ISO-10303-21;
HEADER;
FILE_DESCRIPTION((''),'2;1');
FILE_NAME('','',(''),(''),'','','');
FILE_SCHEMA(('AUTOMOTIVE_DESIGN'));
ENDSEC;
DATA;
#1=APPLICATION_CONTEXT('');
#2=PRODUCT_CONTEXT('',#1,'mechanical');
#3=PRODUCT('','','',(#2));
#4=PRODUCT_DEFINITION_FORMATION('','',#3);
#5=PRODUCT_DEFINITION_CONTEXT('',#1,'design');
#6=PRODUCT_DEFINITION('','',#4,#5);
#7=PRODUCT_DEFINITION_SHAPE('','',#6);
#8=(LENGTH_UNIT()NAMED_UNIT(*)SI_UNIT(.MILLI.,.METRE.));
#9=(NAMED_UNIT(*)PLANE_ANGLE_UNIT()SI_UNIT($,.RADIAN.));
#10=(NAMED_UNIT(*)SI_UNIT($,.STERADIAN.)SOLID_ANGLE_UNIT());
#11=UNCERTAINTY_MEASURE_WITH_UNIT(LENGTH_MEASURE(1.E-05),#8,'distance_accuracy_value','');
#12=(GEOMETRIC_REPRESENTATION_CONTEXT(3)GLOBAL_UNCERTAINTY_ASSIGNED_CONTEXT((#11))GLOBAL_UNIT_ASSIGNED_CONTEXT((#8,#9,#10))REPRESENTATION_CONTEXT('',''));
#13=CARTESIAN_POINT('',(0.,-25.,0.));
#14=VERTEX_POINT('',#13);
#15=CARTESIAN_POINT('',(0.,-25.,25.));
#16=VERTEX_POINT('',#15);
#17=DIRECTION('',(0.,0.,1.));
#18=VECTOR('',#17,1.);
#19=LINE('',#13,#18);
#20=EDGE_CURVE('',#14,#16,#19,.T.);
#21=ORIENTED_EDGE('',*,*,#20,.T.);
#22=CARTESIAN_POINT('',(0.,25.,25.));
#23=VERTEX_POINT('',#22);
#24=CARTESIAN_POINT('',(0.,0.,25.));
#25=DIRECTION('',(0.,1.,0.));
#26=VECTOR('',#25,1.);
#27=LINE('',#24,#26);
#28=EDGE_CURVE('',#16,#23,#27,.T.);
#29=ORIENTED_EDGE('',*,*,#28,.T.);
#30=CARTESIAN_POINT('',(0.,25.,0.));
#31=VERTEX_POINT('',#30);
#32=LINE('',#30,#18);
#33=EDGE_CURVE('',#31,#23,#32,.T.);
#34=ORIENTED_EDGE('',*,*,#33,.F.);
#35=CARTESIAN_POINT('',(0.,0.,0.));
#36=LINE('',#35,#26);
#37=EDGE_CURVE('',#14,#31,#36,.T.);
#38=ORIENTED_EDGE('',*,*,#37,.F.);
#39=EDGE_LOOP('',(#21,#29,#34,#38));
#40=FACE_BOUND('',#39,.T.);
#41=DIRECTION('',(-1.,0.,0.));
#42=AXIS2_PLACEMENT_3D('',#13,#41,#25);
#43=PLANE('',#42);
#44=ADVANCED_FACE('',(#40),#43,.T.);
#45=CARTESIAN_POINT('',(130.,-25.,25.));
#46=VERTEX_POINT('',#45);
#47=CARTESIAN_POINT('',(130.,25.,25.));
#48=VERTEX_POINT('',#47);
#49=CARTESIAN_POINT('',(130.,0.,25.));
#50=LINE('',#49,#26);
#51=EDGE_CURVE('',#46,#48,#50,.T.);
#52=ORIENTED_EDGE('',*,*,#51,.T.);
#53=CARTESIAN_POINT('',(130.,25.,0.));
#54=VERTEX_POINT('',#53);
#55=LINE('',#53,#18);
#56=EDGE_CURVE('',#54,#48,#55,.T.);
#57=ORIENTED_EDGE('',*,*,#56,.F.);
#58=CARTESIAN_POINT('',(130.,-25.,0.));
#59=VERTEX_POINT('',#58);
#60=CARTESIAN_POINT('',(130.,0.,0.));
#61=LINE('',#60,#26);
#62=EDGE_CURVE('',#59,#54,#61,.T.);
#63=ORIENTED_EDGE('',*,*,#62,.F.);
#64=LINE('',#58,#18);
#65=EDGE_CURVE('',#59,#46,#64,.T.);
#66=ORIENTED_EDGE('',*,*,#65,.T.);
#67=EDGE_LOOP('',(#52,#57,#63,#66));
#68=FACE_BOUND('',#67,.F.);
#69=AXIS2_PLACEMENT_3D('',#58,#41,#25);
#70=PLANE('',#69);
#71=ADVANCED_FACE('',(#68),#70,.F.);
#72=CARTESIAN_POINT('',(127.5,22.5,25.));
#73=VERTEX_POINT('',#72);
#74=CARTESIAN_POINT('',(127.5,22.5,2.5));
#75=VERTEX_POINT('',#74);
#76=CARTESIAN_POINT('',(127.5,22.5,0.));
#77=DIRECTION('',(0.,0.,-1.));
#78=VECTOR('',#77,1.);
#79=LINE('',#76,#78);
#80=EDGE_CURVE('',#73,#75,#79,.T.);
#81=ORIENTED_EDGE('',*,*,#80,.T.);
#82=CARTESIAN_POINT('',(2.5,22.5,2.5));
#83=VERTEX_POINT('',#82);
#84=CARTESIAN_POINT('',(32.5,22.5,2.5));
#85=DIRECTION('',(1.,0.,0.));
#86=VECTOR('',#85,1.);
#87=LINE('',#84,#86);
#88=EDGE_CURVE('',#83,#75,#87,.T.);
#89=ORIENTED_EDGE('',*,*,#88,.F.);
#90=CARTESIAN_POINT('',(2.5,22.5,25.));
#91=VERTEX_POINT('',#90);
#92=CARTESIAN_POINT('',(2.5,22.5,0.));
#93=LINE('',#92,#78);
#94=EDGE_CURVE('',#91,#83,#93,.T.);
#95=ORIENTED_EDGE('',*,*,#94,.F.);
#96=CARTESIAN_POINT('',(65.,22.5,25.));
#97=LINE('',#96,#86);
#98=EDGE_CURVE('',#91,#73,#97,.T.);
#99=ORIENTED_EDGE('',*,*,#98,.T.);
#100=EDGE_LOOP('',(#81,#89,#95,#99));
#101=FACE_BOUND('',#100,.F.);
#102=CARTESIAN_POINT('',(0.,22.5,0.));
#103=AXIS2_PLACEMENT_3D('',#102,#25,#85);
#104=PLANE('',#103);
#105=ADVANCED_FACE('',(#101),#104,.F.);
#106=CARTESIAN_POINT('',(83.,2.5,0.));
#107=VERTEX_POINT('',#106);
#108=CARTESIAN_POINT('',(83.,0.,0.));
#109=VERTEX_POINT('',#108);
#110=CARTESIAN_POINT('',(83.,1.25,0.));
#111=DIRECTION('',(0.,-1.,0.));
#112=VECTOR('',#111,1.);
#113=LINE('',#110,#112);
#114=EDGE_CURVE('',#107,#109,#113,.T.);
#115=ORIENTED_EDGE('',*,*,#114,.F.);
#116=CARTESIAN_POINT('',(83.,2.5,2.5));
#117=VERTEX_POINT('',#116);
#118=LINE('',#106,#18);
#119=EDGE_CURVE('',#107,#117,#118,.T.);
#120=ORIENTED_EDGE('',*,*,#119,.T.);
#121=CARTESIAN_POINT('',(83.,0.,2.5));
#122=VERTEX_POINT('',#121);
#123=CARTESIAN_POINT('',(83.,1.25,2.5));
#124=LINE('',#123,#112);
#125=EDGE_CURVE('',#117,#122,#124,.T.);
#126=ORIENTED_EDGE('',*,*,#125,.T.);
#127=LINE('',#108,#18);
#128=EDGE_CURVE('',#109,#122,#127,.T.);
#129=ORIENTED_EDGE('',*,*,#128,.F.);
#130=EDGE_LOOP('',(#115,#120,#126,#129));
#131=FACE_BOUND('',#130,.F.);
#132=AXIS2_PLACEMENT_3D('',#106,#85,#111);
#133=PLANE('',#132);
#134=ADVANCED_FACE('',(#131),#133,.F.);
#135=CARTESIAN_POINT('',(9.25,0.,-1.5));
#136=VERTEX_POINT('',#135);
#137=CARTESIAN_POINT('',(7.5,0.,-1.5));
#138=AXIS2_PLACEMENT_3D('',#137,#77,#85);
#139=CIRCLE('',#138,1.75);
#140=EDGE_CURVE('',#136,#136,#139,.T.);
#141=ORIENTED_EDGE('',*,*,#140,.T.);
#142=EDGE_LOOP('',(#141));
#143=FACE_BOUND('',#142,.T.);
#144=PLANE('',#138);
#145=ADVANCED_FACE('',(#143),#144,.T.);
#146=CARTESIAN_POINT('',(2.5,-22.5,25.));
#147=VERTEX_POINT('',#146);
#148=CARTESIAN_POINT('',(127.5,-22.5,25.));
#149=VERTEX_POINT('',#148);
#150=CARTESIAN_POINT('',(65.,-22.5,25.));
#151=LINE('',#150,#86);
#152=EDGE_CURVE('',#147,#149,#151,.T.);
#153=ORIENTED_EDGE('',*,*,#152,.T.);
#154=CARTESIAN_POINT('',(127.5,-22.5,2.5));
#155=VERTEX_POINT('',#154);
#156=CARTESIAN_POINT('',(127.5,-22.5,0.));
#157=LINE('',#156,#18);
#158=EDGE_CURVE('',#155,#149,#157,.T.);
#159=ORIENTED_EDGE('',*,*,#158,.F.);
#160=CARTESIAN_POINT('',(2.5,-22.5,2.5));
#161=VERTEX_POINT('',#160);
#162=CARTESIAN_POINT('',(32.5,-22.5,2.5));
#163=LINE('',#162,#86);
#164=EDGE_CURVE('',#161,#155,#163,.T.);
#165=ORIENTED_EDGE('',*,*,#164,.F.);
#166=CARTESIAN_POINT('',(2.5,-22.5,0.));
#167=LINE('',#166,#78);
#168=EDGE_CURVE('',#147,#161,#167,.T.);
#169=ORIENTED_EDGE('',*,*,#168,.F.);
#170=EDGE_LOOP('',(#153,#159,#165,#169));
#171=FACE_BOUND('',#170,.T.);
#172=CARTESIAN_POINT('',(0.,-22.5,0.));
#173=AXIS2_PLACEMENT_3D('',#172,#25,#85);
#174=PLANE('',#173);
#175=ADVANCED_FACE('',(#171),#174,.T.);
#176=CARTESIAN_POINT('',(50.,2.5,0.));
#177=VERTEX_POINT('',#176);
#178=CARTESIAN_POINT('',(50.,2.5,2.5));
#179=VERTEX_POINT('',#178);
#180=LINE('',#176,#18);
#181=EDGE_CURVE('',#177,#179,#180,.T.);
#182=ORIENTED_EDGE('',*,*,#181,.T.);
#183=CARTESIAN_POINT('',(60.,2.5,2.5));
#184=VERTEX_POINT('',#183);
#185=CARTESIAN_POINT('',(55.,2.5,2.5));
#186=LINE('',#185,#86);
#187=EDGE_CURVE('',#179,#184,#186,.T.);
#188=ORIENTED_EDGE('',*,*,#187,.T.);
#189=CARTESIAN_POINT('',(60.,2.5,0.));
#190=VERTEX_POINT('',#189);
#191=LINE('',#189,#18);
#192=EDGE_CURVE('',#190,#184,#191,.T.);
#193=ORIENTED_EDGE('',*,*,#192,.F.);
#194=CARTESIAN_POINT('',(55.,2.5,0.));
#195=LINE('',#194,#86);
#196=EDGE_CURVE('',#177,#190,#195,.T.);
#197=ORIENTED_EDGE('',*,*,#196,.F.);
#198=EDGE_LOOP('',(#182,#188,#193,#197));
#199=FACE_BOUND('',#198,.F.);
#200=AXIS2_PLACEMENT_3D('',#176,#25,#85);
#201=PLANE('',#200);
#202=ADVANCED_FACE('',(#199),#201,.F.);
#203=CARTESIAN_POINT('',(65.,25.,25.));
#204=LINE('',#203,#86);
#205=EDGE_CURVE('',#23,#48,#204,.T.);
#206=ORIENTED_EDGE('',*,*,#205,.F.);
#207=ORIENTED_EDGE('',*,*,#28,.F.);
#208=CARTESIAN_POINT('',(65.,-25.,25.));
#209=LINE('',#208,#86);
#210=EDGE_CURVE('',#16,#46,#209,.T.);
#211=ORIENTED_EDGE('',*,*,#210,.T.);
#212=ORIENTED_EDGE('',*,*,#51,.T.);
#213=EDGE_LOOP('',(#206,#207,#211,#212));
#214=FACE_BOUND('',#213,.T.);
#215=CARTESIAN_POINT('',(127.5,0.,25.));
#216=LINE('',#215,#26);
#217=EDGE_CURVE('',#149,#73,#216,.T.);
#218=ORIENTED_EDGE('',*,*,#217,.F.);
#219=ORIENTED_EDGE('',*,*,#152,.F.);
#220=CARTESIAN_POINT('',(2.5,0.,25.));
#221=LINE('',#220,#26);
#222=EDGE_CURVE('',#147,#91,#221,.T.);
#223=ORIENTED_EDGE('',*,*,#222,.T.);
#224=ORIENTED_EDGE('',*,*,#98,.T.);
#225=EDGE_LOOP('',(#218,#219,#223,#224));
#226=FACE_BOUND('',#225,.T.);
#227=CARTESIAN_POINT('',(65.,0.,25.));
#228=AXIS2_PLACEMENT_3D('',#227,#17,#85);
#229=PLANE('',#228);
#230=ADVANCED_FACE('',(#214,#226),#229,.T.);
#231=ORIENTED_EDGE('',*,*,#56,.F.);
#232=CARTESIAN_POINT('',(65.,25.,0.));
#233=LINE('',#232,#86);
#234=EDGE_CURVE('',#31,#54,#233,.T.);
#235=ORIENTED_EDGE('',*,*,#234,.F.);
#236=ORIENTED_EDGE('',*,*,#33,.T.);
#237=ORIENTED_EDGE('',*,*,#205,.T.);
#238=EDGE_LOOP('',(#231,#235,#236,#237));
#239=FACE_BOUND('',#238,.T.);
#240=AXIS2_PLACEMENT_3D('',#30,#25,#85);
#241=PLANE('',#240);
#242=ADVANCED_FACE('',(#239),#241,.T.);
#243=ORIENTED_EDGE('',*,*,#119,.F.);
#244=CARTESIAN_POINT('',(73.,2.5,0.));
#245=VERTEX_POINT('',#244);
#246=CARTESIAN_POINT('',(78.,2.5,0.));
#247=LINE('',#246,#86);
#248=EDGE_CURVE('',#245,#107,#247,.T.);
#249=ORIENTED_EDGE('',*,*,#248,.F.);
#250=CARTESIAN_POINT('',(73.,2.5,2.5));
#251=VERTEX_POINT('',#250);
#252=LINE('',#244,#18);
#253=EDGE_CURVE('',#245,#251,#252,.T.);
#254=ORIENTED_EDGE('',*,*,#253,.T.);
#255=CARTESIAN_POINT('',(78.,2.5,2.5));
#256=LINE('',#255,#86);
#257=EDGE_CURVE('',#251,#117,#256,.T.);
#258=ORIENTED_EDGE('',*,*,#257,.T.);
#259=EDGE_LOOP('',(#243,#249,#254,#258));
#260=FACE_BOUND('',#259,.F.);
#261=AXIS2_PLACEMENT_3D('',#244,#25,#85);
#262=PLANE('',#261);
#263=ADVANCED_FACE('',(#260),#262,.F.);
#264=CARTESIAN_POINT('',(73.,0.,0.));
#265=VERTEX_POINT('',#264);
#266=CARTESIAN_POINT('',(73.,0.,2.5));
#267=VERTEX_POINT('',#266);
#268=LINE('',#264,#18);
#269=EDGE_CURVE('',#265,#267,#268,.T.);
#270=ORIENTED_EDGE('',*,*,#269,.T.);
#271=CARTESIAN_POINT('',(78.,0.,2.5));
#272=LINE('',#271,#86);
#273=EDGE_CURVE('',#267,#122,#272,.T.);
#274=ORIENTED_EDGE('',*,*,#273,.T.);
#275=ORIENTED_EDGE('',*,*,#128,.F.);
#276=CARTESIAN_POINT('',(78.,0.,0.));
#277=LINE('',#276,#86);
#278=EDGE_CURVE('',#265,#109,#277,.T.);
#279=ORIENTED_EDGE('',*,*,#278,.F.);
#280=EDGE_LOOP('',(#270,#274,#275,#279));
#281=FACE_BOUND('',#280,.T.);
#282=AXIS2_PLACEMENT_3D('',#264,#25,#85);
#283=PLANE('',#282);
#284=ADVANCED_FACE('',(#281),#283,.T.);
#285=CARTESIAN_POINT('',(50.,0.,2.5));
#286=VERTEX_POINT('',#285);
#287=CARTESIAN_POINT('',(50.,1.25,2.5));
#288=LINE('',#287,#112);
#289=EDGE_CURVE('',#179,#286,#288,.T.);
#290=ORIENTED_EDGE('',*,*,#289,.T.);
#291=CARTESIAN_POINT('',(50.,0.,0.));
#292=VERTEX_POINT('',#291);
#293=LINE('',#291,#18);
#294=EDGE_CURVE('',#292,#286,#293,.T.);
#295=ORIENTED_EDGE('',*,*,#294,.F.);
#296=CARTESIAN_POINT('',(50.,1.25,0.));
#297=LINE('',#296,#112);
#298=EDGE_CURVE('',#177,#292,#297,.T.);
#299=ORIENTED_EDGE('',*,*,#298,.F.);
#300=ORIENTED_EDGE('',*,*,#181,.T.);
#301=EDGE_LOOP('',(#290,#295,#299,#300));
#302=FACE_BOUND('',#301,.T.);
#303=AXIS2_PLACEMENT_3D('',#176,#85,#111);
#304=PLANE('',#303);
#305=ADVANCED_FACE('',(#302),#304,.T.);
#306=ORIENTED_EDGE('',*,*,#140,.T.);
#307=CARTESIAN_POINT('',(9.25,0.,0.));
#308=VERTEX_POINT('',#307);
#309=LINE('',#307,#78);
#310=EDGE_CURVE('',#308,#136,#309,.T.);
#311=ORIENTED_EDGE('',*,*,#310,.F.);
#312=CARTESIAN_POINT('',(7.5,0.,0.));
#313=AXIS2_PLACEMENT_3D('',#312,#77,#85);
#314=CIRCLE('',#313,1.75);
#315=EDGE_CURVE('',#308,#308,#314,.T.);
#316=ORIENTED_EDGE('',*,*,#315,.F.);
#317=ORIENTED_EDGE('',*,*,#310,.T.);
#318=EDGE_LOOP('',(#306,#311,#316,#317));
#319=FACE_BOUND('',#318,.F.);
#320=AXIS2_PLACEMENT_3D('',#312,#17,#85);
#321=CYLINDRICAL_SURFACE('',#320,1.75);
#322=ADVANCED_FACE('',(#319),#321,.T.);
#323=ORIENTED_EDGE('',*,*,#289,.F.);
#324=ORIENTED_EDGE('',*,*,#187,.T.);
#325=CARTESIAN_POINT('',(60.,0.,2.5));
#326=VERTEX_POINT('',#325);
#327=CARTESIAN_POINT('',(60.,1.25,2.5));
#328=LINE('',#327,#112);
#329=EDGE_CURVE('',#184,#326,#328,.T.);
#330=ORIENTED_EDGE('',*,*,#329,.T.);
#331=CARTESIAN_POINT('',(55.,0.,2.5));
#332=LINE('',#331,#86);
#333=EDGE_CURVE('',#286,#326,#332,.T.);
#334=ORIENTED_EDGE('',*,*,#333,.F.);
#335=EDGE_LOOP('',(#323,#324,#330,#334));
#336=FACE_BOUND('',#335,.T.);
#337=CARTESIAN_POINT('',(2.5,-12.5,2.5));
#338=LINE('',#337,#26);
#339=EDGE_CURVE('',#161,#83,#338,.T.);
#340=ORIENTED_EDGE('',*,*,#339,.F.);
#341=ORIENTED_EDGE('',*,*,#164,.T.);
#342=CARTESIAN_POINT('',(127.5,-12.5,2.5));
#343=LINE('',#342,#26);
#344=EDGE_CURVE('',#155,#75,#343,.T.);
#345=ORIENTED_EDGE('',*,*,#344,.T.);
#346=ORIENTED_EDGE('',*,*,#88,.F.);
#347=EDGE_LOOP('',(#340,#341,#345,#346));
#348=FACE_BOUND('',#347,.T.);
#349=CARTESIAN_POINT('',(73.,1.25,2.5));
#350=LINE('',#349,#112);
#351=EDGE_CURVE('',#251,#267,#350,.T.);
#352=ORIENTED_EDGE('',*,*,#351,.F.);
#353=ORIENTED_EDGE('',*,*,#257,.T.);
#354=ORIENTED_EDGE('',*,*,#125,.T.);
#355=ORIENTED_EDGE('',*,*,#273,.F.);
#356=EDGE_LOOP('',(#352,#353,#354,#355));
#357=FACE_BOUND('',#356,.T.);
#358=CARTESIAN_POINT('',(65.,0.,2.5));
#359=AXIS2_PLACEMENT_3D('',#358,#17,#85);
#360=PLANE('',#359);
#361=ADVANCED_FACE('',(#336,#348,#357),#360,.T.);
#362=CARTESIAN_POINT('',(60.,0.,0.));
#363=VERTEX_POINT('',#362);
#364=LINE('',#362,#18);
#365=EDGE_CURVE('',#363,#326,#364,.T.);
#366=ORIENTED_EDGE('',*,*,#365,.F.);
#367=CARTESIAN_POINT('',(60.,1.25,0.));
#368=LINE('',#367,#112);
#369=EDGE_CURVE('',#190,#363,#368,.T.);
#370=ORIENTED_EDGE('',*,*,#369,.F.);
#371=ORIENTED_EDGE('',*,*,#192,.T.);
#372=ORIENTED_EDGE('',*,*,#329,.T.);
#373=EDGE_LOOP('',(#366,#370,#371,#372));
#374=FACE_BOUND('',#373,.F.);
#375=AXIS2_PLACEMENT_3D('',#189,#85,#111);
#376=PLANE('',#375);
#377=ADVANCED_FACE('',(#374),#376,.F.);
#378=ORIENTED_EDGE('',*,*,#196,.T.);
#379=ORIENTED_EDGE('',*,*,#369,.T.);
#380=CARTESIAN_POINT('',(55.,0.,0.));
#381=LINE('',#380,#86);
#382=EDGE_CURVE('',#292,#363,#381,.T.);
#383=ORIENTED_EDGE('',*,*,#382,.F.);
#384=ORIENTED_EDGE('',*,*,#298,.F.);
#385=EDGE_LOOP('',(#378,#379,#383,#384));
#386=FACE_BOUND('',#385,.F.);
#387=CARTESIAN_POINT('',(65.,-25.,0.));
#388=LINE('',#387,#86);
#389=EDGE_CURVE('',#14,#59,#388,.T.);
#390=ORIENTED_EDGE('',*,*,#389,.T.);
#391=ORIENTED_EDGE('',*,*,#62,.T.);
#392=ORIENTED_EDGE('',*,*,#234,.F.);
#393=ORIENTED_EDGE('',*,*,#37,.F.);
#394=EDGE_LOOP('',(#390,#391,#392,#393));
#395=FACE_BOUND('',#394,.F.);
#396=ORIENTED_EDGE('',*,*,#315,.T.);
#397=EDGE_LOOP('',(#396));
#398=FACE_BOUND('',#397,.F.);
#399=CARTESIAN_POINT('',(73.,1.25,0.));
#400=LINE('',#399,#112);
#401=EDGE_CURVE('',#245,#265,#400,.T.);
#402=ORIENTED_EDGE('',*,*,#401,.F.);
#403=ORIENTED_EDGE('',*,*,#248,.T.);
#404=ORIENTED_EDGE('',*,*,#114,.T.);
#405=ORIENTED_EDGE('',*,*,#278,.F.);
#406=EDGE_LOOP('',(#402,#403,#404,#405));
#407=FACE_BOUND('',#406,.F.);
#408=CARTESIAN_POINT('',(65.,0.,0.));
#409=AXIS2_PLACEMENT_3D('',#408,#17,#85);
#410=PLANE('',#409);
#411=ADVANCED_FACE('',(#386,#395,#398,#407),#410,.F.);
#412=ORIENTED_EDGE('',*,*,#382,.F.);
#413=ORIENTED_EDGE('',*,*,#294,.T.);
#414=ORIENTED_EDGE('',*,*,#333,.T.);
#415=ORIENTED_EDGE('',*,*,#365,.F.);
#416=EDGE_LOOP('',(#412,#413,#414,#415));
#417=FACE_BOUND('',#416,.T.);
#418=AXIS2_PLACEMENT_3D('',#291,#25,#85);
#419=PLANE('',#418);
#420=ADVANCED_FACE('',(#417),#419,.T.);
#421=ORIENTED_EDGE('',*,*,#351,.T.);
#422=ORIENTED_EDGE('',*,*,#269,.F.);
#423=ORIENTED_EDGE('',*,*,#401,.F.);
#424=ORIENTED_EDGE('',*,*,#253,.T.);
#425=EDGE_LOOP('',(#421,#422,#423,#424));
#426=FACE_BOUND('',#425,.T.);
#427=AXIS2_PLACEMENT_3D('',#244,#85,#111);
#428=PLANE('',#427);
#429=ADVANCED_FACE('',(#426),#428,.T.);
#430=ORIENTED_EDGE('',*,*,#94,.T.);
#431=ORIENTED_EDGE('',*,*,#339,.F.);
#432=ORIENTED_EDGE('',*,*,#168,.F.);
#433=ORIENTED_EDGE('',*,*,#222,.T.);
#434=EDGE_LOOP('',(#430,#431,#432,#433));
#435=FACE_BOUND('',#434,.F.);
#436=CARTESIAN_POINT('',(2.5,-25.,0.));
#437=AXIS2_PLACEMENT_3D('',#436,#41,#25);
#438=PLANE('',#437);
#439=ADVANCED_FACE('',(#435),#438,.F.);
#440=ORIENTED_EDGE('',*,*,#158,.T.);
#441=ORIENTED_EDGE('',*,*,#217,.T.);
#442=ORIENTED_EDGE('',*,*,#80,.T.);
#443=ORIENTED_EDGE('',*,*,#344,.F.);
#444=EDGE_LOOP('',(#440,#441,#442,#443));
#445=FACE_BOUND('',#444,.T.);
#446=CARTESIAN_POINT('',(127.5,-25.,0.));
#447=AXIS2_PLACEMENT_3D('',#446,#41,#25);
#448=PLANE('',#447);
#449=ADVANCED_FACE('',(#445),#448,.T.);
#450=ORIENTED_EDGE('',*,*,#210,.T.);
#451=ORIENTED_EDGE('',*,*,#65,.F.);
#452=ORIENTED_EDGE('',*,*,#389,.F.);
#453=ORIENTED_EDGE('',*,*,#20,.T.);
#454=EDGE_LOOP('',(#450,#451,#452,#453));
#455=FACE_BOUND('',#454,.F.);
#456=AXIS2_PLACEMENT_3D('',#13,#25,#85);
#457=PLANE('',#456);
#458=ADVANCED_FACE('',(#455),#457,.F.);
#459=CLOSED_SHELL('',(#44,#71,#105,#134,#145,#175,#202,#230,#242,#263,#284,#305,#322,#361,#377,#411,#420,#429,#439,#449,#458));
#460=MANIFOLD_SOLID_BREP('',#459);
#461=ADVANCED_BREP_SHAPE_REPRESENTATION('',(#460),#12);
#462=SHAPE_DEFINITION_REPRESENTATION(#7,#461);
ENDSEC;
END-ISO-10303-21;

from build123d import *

# Parameters (mm, degrees)
F0_W     = 130
F0_H     = 50
F1_DEPTH = 25
F2_T     = -2.5
F3_R     = 1.75
F4_DEPTH = 1.5
F5_W     = 10
F5_H     = 2.5
F6_DEPTH = 2.5


with BuildPart() as f1:
    # F0 (on Top) → F1 (new body)
    with BuildSketch(Plane.XY):
        with Locations((65, 0)):
            Rectangle(F0_W, F0_H)
    extrude(amount=F1_DEPTH)

    # F2
    f2_openings = [f1.faces().sort_by_distance(p)[0] for p in [
        (65, 0, 25),
    ]]
    offset(amount=F2_T, openings=f2_openings)

    # F3 (on face) → F4 (join)
    with BuildSketch(Plane(origin=(0, 0, 0), x_dir=(1, 0, 0), z_dir=(0, 0, -1))):
        with Locations((7.5, 0)):
            Circle(F3_R)
    extrude(amount=F4_DEPTH)

    # F5 (on face) → F6 (cut, through all)
    with BuildSketch(Plane(origin=(0, 0, 0), x_dir=(1, 0, 0), z_dir=(0, 0, -1))):
        with Locations((55, -1.25)):
            Rectangle(F5_W, F5_H)
        with Locations((78, -1.25)):
            Rectangle(F5_W, F5_H)
    extrude(amount=-F6_DEPTH, mode=Mode.SUBTRACT)


solid = f1.part
